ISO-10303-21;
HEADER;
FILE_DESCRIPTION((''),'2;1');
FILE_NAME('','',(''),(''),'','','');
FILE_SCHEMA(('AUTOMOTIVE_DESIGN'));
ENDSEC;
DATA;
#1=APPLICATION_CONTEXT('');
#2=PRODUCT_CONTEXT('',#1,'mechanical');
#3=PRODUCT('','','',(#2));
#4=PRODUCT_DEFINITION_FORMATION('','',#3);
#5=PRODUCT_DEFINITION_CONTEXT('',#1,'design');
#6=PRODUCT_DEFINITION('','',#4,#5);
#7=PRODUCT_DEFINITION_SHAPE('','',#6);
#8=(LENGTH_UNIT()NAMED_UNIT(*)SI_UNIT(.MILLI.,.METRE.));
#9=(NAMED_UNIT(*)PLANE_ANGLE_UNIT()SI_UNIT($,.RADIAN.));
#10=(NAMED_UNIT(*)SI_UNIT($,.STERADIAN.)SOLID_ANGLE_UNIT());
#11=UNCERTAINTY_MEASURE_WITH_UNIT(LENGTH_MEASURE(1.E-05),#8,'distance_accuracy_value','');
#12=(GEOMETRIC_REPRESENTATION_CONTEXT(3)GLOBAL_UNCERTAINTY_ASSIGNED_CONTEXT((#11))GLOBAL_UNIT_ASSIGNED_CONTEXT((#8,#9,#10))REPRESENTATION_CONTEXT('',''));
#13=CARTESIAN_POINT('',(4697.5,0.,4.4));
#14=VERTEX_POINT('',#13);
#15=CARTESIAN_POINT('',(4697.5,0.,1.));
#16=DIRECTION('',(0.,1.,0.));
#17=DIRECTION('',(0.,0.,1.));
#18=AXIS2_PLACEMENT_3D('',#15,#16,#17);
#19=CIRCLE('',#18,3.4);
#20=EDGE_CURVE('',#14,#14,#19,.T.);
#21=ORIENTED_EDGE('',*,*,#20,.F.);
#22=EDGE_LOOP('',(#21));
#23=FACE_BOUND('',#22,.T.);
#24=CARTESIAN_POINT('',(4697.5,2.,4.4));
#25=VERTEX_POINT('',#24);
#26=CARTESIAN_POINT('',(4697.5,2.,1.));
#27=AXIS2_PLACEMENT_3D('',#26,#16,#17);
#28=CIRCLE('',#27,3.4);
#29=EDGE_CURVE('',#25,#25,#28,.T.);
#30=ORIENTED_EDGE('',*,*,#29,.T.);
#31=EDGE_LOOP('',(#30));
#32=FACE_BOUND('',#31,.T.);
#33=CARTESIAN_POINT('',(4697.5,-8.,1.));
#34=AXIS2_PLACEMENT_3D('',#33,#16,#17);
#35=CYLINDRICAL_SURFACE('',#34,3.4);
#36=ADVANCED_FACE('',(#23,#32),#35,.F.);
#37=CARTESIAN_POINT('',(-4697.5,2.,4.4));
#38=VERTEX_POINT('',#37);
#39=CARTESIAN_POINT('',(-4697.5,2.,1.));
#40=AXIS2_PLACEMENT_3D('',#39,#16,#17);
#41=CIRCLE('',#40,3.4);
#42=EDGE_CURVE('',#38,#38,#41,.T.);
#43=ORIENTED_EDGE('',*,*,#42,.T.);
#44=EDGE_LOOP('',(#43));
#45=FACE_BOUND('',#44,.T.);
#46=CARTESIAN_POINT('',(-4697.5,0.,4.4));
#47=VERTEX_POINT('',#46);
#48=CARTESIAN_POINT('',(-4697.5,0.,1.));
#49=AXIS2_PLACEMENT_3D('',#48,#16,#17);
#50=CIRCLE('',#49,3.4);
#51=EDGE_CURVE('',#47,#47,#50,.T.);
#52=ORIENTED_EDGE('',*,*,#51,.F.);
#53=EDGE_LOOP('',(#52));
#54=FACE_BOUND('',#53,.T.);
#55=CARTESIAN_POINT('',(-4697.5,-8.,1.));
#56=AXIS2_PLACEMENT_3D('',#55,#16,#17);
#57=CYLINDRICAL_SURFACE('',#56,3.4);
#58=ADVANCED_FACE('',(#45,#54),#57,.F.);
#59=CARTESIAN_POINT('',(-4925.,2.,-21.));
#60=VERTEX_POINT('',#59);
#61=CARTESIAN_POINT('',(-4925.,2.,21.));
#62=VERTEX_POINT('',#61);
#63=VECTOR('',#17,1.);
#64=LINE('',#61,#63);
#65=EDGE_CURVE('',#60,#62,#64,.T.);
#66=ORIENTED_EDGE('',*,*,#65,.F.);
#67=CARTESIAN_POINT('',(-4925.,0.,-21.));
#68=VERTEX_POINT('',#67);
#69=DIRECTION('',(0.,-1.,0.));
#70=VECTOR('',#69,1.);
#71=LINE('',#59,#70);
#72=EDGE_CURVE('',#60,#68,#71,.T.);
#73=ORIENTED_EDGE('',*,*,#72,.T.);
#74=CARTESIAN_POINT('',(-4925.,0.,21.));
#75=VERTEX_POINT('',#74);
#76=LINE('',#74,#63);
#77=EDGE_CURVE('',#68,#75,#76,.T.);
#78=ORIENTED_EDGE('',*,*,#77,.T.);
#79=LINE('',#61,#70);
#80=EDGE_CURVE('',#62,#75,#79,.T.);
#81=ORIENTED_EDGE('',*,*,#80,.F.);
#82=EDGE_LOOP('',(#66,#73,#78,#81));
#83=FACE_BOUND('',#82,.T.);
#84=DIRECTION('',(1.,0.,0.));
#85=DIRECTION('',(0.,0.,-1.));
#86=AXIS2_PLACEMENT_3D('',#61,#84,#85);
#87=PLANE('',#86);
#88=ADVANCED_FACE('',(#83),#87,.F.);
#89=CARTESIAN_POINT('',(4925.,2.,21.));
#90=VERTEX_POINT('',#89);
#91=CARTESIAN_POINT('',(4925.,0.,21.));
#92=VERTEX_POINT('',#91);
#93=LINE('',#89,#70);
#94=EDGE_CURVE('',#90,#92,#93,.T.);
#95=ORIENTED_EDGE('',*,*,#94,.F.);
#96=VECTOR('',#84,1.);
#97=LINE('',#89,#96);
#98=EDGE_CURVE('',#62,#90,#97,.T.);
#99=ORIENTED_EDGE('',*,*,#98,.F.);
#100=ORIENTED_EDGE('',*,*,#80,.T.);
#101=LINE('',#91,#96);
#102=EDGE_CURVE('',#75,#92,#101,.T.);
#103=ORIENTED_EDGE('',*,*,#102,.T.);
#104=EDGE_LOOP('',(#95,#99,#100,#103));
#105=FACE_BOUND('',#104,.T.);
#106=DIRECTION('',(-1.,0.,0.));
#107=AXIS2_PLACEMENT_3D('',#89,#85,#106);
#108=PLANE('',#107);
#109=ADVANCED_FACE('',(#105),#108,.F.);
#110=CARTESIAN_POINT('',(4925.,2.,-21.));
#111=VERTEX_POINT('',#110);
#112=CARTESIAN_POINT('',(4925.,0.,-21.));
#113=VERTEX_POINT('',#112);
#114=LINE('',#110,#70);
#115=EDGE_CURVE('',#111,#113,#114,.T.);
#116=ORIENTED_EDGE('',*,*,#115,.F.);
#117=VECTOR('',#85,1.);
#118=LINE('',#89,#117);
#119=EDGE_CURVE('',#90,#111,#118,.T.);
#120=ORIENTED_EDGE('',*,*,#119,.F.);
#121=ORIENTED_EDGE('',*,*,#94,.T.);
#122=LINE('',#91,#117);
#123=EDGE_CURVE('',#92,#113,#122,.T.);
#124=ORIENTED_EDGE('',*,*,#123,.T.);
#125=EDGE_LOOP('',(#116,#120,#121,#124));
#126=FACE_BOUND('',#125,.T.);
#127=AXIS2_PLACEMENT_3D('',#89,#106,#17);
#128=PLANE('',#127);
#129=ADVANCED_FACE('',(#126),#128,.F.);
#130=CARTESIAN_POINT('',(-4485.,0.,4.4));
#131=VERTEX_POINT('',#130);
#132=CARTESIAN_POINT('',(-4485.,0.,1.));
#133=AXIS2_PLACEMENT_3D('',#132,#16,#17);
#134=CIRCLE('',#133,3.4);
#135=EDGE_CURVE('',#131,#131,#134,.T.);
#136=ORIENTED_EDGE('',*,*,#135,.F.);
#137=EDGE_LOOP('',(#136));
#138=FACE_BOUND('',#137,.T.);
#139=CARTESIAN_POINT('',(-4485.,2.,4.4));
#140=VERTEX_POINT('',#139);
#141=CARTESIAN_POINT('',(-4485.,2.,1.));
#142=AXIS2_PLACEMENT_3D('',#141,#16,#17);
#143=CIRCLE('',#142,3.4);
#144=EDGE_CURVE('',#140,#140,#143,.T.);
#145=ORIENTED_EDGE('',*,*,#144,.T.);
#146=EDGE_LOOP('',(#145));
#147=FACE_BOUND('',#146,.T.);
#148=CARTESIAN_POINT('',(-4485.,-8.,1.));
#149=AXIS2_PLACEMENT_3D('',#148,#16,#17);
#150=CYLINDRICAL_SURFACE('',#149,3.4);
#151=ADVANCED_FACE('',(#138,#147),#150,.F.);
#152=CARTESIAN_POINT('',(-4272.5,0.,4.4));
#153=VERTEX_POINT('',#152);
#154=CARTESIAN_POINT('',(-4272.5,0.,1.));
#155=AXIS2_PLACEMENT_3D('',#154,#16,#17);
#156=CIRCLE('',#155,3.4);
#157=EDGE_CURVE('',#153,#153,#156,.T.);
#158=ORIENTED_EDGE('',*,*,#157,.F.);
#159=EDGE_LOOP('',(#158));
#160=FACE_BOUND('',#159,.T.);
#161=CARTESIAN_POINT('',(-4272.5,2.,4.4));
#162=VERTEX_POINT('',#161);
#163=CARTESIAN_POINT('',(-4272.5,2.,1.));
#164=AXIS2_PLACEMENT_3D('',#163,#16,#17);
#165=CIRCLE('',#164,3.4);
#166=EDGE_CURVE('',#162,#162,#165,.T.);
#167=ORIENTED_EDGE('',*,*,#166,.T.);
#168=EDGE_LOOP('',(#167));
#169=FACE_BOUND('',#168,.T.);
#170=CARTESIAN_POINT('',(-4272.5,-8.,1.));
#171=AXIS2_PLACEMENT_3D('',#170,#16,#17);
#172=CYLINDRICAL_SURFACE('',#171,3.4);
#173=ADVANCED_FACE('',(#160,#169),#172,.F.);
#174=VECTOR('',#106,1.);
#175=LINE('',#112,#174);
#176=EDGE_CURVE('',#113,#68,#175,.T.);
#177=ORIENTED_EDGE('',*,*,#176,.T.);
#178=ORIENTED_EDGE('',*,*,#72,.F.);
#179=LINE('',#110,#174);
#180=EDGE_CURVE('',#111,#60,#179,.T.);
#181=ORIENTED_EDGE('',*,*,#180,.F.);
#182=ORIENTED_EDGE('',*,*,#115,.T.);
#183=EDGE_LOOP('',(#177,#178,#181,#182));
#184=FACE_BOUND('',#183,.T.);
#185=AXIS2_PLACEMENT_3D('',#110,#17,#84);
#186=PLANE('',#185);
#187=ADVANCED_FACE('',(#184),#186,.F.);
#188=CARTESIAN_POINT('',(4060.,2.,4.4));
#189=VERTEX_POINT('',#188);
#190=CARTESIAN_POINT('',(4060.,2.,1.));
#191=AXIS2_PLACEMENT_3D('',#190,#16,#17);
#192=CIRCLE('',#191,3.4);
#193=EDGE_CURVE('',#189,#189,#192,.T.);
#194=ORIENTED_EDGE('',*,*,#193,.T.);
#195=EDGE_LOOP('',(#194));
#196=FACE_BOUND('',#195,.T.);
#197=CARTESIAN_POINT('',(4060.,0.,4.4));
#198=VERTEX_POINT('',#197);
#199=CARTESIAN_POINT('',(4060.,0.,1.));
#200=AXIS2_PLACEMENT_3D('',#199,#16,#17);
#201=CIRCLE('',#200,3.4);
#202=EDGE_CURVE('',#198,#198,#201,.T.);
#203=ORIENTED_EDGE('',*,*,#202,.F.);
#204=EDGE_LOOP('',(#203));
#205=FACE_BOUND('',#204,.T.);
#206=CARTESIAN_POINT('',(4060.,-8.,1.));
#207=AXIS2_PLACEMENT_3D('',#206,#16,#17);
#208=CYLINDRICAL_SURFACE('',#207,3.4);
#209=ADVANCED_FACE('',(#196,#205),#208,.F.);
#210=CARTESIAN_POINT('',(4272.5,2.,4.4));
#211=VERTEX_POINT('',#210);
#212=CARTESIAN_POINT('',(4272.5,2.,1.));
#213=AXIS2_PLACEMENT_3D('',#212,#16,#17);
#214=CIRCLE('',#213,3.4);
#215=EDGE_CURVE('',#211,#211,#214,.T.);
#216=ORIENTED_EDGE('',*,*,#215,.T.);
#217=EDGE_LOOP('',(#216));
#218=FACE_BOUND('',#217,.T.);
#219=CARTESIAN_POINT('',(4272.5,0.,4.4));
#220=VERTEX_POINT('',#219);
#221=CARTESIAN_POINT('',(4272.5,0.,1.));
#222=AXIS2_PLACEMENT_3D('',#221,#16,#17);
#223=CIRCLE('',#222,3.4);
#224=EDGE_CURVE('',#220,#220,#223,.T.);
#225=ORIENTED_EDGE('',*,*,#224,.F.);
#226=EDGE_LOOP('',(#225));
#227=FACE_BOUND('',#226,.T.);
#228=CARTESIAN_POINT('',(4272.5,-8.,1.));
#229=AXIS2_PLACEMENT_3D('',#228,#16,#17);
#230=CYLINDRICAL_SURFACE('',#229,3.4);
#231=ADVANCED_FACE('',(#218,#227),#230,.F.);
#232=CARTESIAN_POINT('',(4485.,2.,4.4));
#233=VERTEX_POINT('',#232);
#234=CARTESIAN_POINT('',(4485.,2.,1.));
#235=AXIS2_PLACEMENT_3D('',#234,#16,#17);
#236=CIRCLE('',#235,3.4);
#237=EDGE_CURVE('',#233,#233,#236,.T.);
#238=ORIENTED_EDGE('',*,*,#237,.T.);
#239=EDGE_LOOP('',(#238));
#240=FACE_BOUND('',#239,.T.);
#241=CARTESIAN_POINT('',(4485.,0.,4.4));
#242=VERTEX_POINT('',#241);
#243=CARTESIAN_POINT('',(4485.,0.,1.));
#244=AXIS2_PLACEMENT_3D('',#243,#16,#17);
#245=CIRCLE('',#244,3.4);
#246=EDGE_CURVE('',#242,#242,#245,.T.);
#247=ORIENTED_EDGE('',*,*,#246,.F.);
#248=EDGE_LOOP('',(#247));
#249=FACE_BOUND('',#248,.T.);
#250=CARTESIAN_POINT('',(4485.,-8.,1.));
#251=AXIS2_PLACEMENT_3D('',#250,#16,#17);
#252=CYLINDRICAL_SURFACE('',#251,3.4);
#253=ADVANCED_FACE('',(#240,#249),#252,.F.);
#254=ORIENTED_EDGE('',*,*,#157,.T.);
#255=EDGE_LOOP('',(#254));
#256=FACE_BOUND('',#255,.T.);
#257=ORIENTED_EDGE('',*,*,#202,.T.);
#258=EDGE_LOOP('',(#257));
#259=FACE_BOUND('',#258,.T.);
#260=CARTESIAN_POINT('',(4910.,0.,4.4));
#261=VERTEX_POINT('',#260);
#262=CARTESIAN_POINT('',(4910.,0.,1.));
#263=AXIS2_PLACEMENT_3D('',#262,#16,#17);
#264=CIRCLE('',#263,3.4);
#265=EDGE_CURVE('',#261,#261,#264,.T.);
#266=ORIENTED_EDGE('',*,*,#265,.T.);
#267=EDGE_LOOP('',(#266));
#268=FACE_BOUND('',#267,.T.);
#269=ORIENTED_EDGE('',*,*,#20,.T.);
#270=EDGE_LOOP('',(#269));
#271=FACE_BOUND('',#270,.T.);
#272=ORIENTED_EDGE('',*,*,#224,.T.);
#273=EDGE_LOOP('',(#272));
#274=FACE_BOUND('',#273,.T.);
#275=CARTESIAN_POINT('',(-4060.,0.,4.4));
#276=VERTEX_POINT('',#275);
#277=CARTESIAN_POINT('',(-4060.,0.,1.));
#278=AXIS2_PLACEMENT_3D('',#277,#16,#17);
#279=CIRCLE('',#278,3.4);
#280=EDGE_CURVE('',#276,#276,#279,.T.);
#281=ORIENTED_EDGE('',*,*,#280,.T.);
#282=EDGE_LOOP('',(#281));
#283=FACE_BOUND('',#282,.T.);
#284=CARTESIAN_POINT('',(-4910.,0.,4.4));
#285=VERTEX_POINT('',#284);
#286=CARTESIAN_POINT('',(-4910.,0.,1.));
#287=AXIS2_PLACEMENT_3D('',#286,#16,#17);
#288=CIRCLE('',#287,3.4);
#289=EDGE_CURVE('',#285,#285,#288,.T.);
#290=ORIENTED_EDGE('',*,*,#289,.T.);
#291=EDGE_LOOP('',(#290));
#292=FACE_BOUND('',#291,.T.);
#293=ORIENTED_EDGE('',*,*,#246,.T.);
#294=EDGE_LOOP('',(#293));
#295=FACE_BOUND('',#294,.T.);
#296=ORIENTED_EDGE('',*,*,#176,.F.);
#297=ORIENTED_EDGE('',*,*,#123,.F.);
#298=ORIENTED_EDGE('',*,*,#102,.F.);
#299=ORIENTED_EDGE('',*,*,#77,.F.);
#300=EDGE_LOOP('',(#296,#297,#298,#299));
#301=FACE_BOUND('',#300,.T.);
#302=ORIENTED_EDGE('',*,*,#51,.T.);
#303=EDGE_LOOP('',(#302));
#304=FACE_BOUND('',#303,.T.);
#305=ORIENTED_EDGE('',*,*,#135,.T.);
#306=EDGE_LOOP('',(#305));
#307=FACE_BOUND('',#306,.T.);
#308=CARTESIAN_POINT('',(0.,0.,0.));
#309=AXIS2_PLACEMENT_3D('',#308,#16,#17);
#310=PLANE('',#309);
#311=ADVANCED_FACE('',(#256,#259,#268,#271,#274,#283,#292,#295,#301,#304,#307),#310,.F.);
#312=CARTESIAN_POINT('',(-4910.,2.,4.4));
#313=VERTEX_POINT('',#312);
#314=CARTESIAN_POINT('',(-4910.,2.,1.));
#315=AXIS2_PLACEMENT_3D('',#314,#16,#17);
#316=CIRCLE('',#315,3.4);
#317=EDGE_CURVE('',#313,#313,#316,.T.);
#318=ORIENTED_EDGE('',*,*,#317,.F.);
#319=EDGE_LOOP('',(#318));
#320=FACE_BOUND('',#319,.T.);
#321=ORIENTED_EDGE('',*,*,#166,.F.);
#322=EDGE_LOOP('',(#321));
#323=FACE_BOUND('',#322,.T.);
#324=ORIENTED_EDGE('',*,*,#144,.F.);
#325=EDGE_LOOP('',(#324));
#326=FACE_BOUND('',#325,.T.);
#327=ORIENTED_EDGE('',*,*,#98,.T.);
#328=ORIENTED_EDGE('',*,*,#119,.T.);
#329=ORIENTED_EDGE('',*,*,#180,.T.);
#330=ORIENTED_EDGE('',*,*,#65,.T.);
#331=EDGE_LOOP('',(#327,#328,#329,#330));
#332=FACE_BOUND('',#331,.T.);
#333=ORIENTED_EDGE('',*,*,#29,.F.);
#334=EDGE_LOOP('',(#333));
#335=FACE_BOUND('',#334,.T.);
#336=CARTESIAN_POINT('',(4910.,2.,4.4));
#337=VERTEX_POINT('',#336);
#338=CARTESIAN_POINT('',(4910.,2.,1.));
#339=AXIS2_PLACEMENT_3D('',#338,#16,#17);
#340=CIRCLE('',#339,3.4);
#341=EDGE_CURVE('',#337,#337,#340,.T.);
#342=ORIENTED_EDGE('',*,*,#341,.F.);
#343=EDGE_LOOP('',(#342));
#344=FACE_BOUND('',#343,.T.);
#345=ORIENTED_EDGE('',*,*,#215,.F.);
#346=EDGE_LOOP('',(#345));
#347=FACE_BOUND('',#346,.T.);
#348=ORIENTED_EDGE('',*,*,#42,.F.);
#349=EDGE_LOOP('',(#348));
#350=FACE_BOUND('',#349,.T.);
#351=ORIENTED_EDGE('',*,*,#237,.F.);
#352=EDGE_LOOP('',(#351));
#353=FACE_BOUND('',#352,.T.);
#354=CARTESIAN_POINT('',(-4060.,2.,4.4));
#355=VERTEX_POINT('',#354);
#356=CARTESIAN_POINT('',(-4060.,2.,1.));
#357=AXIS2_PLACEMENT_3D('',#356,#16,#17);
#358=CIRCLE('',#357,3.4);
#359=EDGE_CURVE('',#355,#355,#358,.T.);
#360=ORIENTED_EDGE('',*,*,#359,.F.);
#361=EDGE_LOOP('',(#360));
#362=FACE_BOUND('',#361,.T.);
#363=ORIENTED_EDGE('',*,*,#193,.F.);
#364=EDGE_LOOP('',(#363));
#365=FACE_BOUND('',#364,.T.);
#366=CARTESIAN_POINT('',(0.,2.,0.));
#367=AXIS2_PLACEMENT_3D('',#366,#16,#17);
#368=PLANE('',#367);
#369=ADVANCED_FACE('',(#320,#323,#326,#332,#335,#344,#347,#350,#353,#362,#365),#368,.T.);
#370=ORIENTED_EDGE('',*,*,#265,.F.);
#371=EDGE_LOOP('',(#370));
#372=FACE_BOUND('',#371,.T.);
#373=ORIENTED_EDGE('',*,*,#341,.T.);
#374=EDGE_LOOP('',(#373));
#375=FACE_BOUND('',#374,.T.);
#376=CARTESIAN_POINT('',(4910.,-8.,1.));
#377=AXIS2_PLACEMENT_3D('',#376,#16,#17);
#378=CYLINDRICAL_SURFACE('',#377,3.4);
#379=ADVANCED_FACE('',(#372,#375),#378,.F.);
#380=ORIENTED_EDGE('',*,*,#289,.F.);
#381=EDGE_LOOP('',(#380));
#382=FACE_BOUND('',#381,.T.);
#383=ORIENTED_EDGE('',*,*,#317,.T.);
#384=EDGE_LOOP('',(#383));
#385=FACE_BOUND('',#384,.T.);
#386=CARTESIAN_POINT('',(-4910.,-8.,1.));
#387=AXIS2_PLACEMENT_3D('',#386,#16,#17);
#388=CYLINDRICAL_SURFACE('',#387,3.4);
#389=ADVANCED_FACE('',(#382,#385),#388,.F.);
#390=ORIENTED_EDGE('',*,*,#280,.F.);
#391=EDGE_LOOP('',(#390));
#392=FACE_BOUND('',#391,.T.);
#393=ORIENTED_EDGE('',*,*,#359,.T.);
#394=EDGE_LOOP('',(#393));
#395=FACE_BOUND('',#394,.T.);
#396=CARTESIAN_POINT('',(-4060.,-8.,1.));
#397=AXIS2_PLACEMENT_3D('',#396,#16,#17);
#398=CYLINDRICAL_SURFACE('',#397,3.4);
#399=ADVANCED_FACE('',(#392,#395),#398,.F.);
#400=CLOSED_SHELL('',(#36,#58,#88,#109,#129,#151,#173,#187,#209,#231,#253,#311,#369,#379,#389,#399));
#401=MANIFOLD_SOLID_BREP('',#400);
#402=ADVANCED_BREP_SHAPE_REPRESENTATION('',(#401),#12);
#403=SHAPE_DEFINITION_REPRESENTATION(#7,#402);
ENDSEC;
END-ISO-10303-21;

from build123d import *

# Parameters (mm, degrees)
SKETCH1_W           = 9850
SKETCH1_H           = 42
BOSS_EXTRUDE1_DEPTH = 2
SKETCH2_R           = 3.4
CUT_EXTRUDE1_DEPTH  = 10


with BuildPart() as part:
    # Sketch1 → Boss-Extrude1 (new body)
    with BuildSketch(Plane(origin=(0, 0, 0), x_dir=(1, 0, 0), z_dir=(0, 1, 0))):
        Rectangle(SKETCH1_W, SKETCH1_H)
    extrude(amount=BOSS_EXTRUDE1_DEPTH)

    # Sketch2 → Cut-Extrude1 (cut)
    with BuildSketch(Plane(origin=(0, 2, 0), x_dir=(1, 0, 0), z_dir=(0, 1, 0))):
        with Locations(Location((-4910, -1, 0), (0, 0, 270))):
            Circle(SKETCH2_R)
        with Locations(Location((-4697.5, -1, 0), (0, 0, 270))):
            Circle(SKETCH2_R)
        with Locations(Location((-4485, -1, 0), (0, 0, 270))):
            Circle(SKETCH2_R)
        with Locations(Location((-4272.5, -1, 0), (0, 0, 270))):
            Circle(SKETCH2_R)
        with Locations(Location((-4060, -1, 0), (0, 0, 270))):
            Circle(SKETCH2_R)
        with Locations(Location((4910, -1, 0), (0, 0, 270))):
            Circle(SKETCH2_R)
        with Locations(Location((4697.5, -1, 0), (0, 0, 270))):
            Circle(SKETCH2_R)
        with Locations(Location((4485, -1, 0), (0, 0, 270))):
            Circle(SKETCH2_R)
        with Locations(Location((4272.5, -1, 0), (0, 0, 270))):
            Circle(SKETCH2_R)
        with Locations(Location((4060, -1, 0), (0, 0, 270))):
            Circle(SKETCH2_R)
    extrude(amount=-CUT_EXTRUDE1_DEPTH, mode=Mode.SUBTRACT)


solid = part.part
